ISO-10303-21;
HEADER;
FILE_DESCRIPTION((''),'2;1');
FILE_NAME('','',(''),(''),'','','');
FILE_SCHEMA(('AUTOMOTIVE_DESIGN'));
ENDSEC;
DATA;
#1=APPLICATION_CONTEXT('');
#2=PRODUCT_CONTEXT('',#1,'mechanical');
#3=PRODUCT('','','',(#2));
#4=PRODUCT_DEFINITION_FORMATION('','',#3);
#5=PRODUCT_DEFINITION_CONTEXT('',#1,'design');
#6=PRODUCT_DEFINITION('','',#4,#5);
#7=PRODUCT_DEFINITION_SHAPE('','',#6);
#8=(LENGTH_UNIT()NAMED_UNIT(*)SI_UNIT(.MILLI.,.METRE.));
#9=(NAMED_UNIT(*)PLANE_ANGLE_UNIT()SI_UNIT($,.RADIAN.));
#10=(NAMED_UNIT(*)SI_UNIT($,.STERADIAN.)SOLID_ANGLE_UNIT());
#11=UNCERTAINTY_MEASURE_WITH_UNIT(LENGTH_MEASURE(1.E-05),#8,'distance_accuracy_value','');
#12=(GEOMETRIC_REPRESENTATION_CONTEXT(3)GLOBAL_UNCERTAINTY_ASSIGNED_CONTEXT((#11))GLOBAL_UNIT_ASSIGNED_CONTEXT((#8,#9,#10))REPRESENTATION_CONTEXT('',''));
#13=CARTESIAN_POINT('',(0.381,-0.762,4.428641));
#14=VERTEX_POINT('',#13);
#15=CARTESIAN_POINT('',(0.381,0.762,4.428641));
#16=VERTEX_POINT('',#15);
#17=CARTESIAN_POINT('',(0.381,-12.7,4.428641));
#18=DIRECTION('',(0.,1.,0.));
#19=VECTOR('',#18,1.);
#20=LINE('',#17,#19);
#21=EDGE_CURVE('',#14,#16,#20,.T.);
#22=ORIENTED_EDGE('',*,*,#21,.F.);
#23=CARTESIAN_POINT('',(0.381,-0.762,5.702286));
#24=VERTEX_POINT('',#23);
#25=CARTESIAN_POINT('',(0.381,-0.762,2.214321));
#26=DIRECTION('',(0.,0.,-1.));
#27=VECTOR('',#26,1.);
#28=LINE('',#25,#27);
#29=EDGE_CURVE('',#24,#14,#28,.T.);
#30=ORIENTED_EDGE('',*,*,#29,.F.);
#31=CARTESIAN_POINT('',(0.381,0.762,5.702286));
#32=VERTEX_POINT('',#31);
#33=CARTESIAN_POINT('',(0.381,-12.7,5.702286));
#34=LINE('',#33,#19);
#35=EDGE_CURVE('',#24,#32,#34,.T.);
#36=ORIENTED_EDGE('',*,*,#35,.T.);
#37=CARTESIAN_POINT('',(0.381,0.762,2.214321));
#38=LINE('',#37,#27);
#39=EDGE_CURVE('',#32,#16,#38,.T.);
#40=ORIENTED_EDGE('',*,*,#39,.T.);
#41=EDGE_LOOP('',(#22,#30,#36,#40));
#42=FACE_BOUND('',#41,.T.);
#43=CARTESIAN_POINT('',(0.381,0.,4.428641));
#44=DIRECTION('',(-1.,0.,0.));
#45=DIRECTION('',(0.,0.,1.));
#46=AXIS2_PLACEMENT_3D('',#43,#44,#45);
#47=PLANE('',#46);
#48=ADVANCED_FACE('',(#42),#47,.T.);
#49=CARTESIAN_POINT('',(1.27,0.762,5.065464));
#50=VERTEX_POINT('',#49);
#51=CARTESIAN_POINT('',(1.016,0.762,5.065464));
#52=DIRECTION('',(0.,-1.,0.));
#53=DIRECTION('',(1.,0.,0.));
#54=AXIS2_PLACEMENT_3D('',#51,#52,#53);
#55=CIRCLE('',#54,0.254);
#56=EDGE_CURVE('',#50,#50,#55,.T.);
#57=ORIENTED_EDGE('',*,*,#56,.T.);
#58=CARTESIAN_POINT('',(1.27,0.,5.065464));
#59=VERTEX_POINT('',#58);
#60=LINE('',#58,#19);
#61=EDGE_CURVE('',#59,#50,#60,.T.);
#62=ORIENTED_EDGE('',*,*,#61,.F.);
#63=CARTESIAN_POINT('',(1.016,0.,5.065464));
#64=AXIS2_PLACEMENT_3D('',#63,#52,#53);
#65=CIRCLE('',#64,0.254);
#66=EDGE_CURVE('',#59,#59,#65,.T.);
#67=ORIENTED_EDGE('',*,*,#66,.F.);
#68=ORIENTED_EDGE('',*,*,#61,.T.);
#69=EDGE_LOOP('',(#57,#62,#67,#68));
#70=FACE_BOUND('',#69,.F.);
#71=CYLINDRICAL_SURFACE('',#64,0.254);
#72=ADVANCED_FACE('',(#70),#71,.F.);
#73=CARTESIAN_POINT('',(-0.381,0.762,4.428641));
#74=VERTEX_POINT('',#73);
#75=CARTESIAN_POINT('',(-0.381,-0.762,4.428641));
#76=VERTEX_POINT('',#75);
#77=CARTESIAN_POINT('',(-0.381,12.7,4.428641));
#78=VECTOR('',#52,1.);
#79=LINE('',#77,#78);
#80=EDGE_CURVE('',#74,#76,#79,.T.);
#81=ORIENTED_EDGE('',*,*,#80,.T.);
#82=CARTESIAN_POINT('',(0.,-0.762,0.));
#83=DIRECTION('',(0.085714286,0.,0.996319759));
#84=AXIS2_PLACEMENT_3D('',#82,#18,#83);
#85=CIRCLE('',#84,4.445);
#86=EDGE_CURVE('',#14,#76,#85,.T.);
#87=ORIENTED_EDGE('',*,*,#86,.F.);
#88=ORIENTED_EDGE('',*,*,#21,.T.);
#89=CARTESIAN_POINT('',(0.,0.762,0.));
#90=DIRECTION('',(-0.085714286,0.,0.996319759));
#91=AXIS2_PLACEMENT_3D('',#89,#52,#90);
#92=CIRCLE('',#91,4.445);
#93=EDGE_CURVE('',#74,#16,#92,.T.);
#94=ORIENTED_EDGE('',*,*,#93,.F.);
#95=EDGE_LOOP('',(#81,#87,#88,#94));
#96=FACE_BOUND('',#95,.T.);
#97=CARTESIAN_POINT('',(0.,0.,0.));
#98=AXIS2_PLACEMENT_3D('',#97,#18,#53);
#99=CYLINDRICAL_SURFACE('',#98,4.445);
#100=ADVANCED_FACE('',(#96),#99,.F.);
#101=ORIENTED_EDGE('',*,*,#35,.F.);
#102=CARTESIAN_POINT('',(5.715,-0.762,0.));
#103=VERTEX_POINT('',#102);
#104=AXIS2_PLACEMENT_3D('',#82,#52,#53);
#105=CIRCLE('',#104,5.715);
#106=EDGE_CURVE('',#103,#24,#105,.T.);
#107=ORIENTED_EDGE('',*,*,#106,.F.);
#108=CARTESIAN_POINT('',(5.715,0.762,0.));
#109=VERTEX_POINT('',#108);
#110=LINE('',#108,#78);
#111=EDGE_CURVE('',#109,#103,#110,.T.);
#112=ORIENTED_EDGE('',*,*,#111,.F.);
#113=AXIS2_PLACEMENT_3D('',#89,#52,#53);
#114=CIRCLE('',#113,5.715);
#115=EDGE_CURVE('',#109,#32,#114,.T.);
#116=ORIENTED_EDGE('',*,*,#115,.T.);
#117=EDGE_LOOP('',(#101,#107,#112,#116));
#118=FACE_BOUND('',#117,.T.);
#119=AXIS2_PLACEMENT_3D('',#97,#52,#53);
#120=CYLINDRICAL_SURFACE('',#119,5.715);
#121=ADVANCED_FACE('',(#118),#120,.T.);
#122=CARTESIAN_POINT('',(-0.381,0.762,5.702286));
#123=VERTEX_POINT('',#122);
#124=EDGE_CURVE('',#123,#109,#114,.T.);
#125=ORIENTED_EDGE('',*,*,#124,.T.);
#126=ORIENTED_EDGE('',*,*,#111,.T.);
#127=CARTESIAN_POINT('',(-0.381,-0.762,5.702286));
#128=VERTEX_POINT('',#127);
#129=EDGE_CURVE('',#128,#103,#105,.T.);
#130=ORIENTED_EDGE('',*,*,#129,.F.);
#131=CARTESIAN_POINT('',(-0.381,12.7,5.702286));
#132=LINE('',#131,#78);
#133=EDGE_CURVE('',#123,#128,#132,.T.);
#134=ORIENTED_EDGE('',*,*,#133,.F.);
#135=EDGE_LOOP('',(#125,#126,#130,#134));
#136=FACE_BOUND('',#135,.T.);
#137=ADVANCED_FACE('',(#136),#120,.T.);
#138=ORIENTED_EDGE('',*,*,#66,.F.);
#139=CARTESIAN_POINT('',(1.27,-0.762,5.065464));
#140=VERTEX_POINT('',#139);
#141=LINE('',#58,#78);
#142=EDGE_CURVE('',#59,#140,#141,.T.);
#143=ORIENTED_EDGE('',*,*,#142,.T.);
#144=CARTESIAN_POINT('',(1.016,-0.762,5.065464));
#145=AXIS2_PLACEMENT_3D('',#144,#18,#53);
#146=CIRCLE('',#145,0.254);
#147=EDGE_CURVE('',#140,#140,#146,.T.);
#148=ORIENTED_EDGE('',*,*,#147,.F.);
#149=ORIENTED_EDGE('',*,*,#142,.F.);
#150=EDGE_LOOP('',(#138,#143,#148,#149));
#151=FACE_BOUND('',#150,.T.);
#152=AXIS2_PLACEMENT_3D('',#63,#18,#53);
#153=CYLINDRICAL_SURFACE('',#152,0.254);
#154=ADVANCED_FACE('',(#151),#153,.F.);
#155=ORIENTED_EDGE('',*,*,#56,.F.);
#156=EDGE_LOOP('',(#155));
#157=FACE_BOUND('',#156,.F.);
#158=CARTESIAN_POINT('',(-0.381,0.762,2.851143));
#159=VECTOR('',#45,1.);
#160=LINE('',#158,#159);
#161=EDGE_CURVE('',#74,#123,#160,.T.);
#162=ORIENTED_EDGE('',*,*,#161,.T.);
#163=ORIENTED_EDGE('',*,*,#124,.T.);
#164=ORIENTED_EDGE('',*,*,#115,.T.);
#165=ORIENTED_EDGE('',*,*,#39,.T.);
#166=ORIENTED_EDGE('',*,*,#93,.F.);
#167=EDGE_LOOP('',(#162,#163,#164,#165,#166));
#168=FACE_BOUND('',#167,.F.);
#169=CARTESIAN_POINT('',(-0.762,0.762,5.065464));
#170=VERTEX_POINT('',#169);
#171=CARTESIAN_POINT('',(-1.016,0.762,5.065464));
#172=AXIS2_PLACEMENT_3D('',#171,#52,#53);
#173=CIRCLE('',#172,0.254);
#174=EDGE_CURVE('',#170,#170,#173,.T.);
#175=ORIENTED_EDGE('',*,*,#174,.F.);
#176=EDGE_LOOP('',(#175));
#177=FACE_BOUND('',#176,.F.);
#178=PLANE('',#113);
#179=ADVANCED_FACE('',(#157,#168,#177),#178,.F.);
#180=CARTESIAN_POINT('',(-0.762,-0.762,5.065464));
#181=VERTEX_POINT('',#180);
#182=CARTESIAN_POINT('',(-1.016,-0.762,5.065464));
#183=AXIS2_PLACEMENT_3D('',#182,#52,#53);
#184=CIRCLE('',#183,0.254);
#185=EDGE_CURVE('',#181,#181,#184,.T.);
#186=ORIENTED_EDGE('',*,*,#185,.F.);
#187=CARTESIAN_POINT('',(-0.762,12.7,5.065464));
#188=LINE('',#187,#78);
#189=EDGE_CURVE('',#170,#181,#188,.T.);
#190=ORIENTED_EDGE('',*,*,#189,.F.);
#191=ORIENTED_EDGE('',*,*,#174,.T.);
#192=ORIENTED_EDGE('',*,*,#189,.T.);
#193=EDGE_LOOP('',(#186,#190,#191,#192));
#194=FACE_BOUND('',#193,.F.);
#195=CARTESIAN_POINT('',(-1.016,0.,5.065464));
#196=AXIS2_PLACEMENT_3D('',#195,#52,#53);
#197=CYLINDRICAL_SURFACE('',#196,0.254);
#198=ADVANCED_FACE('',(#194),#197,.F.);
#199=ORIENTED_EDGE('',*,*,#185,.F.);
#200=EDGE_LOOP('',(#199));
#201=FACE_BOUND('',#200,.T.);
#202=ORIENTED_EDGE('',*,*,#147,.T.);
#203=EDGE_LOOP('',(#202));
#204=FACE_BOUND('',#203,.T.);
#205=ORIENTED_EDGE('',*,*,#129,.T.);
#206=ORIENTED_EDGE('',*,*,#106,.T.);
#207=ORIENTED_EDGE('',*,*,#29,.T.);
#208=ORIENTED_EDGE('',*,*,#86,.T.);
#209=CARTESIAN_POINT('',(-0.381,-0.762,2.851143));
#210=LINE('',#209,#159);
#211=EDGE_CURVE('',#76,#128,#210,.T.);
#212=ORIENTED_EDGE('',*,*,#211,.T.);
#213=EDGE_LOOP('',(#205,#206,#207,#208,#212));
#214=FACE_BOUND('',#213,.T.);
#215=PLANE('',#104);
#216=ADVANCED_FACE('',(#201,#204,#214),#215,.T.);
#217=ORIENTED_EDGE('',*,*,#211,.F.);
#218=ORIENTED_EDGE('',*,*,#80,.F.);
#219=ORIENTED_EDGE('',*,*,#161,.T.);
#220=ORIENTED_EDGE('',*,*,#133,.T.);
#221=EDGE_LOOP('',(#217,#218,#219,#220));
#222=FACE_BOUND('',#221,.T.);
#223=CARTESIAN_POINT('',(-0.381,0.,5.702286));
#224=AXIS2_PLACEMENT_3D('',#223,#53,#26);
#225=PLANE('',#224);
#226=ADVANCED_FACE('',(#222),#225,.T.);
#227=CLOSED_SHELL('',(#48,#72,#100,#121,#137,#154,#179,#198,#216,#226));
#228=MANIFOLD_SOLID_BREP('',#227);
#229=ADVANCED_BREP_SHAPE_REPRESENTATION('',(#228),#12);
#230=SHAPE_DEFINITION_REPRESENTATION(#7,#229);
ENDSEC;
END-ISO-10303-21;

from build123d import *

# Parameters (mm, degrees)
F0_R     = 5.715
F0_R_2   = 4.445
F1_DEPTH = 0.762
F2_R     = 0.254
F3_DEPTH = 12.7


with BuildPart() as f1:
    # F0 (on Front) → F1 (new body, symmetric)
    with BuildSketch(Plane.XZ):
        Circle(F0_R)
        Circle(F0_R_2, mode=Mode.SUBTRACT)
    extrude(amount=F1_DEPTH, both=True)

    # F2 (on Front) → F3 (cut, symmetric)
    with BuildSketch(Plane.XZ):
        with BuildLine():
            ThreePointArc((0.381, 5.7022858574), (0, 5.715), (-0.381, 5.7022858574))
            Line((-0.381, 5.7022858574), (-0.381, 4.4286413266))
            ThreePointArc((-0.381, 4.4286413266), (0, 4.445), (0.381, 4.4286413266))
            Line((0.381, 4.4286413266), (0.381, 5.7022858574))
        make_face()
        with Locations((1.016, 5.065463592)):
            Circle(F2_R)
        with Locations((-1.016, 5.065463592)):
            Circle(F2_R)
    extrude(amount=F3_DEPTH, both=True, mode=Mode.SUBTRACT)


solid = f1.part
